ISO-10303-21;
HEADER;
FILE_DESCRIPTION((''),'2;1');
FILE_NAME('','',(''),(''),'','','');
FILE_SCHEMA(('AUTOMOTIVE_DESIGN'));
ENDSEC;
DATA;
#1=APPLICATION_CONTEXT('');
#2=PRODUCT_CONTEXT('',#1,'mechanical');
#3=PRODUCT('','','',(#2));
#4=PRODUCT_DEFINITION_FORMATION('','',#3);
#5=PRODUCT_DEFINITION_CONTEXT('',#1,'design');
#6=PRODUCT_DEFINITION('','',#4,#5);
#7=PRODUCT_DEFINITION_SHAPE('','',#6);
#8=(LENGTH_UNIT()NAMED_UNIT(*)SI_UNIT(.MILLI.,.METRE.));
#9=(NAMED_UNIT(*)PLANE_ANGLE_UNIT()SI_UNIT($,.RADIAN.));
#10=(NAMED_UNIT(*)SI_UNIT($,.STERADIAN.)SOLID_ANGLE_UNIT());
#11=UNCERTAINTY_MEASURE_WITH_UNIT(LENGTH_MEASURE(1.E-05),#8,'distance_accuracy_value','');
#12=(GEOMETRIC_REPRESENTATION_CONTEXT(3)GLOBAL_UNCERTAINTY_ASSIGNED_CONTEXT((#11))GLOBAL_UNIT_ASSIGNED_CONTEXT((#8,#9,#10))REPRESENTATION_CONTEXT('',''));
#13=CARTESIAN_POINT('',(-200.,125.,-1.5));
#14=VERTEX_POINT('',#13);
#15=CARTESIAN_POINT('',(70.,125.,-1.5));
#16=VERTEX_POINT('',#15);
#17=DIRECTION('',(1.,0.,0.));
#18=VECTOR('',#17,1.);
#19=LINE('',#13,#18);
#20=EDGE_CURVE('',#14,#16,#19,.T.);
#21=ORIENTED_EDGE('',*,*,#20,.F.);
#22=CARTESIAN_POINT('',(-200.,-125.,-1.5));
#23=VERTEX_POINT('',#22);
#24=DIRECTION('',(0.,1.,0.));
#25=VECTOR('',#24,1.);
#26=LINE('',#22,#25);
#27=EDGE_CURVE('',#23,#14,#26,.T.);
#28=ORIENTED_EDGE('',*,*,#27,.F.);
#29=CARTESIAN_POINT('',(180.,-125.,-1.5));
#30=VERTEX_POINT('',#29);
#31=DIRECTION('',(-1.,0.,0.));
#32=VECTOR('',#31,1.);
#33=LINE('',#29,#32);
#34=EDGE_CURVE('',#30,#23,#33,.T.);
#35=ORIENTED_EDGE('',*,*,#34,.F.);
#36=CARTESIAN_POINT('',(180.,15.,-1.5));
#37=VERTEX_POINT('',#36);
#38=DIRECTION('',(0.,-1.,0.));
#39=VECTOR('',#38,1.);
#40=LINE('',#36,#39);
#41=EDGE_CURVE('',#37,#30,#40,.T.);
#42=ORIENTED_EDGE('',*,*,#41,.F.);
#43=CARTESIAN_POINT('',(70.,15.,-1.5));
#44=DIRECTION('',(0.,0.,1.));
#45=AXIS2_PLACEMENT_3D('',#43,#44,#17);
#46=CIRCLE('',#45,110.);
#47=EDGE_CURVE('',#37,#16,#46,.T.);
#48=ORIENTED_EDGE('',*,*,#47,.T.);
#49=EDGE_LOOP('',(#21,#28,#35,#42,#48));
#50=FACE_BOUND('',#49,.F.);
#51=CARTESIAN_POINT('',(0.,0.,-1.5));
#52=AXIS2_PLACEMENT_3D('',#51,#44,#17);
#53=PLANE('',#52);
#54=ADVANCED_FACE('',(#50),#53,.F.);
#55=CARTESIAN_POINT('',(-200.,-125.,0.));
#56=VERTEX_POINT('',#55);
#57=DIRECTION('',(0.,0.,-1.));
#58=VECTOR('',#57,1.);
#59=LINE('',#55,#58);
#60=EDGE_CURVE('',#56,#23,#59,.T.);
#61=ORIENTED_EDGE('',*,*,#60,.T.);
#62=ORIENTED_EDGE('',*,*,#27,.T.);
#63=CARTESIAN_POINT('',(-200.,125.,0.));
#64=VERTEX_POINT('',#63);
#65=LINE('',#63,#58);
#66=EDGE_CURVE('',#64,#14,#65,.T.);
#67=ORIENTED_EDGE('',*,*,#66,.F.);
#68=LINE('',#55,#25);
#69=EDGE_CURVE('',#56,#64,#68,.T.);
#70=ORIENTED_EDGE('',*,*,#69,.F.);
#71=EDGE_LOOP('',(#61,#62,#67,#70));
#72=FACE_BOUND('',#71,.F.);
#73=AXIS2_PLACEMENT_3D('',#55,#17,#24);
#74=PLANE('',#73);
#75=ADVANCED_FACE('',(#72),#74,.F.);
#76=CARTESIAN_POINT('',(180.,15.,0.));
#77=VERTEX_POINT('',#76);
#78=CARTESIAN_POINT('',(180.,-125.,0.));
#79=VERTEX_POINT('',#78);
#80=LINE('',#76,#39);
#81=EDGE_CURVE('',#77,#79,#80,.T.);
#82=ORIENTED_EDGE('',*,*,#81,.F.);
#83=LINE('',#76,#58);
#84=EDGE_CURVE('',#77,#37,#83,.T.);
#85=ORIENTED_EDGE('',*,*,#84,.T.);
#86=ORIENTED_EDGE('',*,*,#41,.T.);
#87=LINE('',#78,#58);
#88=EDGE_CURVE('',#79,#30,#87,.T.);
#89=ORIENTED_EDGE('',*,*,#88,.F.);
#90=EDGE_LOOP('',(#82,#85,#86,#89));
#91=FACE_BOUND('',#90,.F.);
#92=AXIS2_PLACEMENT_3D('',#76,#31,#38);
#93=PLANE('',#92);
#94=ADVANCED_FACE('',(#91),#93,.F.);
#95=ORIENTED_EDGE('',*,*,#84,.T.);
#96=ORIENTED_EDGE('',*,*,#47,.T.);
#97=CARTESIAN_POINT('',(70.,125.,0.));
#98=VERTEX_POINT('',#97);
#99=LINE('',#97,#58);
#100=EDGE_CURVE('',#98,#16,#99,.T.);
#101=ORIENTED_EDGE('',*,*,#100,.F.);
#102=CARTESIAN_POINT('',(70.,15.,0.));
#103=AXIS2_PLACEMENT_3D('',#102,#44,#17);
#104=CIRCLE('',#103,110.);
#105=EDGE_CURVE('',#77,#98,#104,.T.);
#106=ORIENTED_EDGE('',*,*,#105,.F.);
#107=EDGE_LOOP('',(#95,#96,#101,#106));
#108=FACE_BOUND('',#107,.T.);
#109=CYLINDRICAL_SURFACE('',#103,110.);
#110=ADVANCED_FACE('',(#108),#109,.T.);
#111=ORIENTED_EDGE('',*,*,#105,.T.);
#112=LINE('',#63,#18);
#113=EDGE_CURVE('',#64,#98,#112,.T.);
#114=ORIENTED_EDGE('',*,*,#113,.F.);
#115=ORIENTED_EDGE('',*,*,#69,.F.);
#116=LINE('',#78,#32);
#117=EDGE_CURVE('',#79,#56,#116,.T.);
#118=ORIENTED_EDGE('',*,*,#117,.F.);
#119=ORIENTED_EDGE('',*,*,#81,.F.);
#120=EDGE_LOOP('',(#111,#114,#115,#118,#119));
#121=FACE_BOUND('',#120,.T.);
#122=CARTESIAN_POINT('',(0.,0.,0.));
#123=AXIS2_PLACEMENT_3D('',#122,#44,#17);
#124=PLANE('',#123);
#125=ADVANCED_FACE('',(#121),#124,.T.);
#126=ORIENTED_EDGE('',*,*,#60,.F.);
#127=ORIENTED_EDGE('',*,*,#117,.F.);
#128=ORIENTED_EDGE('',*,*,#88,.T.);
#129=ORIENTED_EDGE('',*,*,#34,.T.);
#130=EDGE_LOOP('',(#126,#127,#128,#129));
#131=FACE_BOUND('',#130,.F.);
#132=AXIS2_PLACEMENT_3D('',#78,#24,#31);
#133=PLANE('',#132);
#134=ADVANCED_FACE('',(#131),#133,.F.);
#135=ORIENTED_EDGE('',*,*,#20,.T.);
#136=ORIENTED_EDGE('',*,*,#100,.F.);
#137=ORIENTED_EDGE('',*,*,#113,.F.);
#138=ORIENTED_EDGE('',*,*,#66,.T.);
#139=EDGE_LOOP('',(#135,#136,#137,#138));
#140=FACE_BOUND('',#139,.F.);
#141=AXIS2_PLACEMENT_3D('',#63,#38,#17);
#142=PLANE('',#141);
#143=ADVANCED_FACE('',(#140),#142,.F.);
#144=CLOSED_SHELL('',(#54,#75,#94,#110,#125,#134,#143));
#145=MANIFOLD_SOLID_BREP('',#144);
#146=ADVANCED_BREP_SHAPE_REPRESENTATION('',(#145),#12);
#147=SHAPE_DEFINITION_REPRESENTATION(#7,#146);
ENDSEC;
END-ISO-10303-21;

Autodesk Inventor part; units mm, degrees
ref_plane "YZ Plane" through (0, 0, 0) normal (1, 0, 0) x (0, 1, 0)
ref_plane "XZ Plane" through (0, 0, 0) normal (0, 1, 0) x (-1, 0, 0)
ref_plane "Work Plane1" through (0, 0, 0) normal (0, 0, 1) x (1, 0, 0)
sketch "Sketch1" plane through (0, 0, 0) normal (0, 0, 1) x (1, 0, 0)
  line L0 (-200, 125) -> (70, 125)
  line L1 (-200, -125) -> (-200, 125)
  line L2 (180, -125) -> (-200, -125)
  line L3 (180, 15) -> (180, -125)
  arc A0 (180, 15) -> (70, 125) centre (70, 15) ccw
  point P0 (0, 0)
extrude "Plate1" add sketch "Sketch1" against normal blind 1.5
equation "\"d0\" = Thickness"
equation "\"BendRadius\" = Thickness"
equation "\"BendReliefWidth\" = Thickness"
equation "\"BendReliefDepth\" = 0.5 * Thickness"
equation "\"CornerReliefSize\" = 4 * Thickness"
equation "\"MinimumRemnant\" = 2 * Thickness"
equation "\"TransitionRadius\" = BendRadius"
equation "\"JacobiRadiusSize\" = BendRadius"
equation "\"GapSize\" = Thickness"
equation "\"Thickness\" = 1.5"
properties part number "CARCASA_ALUM_6"
